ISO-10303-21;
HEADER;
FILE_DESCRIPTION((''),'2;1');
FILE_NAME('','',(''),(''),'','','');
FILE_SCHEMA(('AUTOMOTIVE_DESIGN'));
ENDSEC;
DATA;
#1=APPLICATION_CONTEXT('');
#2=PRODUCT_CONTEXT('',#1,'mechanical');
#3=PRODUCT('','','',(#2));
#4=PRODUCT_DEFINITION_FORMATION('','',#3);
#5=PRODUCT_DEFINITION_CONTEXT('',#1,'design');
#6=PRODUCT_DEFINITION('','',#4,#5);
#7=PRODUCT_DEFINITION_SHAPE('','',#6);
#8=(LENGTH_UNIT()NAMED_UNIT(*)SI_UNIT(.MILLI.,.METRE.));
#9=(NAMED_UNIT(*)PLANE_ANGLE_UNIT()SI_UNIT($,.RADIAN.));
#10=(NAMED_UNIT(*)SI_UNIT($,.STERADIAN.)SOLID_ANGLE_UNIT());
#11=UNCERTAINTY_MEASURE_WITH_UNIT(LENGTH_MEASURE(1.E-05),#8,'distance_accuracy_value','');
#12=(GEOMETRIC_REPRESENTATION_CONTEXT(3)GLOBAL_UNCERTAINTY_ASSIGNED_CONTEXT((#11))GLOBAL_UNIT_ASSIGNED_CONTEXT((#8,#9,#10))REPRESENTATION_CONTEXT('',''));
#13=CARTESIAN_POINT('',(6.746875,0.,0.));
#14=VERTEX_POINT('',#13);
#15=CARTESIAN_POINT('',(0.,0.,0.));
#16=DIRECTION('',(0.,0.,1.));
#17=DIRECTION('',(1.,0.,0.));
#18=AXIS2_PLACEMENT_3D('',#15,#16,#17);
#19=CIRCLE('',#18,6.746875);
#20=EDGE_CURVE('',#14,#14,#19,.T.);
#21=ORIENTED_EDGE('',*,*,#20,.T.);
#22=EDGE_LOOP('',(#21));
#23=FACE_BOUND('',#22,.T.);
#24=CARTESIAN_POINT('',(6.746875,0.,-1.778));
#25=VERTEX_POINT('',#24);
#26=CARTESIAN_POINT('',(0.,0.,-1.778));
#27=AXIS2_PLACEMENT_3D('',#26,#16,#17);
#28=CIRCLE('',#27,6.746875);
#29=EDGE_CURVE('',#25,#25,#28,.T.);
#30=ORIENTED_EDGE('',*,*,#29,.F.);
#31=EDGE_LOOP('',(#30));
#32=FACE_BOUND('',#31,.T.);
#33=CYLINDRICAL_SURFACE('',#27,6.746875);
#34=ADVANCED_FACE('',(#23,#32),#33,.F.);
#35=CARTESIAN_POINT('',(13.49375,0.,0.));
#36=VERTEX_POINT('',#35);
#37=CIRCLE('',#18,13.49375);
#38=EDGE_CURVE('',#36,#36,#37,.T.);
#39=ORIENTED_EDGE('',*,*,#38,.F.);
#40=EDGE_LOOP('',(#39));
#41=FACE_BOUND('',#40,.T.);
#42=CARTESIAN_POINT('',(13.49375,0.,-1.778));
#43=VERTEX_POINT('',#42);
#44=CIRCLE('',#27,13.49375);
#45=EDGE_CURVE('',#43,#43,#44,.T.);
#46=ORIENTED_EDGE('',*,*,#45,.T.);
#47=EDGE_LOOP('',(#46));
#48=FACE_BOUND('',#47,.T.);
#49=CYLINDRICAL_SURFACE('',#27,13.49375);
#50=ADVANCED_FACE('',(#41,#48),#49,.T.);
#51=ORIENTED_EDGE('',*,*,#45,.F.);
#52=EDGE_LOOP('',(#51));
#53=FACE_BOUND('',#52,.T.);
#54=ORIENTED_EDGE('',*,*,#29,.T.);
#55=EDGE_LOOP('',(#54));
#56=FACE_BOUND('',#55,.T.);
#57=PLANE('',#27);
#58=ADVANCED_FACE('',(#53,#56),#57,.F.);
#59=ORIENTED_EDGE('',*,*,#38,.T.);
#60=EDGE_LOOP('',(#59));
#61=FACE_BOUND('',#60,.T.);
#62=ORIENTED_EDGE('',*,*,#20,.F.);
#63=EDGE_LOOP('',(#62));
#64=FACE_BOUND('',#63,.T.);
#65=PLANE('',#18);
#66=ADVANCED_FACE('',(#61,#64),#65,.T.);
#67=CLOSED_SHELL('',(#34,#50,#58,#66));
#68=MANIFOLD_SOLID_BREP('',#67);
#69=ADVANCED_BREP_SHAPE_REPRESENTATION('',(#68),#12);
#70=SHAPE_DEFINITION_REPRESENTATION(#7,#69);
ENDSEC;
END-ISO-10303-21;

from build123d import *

# Parameters (mm, degrees)
SKETCH1_R      = 13.49375
SKETCH1_R_2    = 6.746875
EXTRUDE1_DEPTH = 1.778


with BuildPart() as part:
    # Sketch1 → Extrude1 (new body)
    with BuildSketch(Plane.XY):
        Circle(SKETCH1_R)
        Circle(SKETCH1_R_2, mode=Mode.SUBTRACT)
    extrude(amount=-EXTRUDE1_DEPTH)


solid = part.part
